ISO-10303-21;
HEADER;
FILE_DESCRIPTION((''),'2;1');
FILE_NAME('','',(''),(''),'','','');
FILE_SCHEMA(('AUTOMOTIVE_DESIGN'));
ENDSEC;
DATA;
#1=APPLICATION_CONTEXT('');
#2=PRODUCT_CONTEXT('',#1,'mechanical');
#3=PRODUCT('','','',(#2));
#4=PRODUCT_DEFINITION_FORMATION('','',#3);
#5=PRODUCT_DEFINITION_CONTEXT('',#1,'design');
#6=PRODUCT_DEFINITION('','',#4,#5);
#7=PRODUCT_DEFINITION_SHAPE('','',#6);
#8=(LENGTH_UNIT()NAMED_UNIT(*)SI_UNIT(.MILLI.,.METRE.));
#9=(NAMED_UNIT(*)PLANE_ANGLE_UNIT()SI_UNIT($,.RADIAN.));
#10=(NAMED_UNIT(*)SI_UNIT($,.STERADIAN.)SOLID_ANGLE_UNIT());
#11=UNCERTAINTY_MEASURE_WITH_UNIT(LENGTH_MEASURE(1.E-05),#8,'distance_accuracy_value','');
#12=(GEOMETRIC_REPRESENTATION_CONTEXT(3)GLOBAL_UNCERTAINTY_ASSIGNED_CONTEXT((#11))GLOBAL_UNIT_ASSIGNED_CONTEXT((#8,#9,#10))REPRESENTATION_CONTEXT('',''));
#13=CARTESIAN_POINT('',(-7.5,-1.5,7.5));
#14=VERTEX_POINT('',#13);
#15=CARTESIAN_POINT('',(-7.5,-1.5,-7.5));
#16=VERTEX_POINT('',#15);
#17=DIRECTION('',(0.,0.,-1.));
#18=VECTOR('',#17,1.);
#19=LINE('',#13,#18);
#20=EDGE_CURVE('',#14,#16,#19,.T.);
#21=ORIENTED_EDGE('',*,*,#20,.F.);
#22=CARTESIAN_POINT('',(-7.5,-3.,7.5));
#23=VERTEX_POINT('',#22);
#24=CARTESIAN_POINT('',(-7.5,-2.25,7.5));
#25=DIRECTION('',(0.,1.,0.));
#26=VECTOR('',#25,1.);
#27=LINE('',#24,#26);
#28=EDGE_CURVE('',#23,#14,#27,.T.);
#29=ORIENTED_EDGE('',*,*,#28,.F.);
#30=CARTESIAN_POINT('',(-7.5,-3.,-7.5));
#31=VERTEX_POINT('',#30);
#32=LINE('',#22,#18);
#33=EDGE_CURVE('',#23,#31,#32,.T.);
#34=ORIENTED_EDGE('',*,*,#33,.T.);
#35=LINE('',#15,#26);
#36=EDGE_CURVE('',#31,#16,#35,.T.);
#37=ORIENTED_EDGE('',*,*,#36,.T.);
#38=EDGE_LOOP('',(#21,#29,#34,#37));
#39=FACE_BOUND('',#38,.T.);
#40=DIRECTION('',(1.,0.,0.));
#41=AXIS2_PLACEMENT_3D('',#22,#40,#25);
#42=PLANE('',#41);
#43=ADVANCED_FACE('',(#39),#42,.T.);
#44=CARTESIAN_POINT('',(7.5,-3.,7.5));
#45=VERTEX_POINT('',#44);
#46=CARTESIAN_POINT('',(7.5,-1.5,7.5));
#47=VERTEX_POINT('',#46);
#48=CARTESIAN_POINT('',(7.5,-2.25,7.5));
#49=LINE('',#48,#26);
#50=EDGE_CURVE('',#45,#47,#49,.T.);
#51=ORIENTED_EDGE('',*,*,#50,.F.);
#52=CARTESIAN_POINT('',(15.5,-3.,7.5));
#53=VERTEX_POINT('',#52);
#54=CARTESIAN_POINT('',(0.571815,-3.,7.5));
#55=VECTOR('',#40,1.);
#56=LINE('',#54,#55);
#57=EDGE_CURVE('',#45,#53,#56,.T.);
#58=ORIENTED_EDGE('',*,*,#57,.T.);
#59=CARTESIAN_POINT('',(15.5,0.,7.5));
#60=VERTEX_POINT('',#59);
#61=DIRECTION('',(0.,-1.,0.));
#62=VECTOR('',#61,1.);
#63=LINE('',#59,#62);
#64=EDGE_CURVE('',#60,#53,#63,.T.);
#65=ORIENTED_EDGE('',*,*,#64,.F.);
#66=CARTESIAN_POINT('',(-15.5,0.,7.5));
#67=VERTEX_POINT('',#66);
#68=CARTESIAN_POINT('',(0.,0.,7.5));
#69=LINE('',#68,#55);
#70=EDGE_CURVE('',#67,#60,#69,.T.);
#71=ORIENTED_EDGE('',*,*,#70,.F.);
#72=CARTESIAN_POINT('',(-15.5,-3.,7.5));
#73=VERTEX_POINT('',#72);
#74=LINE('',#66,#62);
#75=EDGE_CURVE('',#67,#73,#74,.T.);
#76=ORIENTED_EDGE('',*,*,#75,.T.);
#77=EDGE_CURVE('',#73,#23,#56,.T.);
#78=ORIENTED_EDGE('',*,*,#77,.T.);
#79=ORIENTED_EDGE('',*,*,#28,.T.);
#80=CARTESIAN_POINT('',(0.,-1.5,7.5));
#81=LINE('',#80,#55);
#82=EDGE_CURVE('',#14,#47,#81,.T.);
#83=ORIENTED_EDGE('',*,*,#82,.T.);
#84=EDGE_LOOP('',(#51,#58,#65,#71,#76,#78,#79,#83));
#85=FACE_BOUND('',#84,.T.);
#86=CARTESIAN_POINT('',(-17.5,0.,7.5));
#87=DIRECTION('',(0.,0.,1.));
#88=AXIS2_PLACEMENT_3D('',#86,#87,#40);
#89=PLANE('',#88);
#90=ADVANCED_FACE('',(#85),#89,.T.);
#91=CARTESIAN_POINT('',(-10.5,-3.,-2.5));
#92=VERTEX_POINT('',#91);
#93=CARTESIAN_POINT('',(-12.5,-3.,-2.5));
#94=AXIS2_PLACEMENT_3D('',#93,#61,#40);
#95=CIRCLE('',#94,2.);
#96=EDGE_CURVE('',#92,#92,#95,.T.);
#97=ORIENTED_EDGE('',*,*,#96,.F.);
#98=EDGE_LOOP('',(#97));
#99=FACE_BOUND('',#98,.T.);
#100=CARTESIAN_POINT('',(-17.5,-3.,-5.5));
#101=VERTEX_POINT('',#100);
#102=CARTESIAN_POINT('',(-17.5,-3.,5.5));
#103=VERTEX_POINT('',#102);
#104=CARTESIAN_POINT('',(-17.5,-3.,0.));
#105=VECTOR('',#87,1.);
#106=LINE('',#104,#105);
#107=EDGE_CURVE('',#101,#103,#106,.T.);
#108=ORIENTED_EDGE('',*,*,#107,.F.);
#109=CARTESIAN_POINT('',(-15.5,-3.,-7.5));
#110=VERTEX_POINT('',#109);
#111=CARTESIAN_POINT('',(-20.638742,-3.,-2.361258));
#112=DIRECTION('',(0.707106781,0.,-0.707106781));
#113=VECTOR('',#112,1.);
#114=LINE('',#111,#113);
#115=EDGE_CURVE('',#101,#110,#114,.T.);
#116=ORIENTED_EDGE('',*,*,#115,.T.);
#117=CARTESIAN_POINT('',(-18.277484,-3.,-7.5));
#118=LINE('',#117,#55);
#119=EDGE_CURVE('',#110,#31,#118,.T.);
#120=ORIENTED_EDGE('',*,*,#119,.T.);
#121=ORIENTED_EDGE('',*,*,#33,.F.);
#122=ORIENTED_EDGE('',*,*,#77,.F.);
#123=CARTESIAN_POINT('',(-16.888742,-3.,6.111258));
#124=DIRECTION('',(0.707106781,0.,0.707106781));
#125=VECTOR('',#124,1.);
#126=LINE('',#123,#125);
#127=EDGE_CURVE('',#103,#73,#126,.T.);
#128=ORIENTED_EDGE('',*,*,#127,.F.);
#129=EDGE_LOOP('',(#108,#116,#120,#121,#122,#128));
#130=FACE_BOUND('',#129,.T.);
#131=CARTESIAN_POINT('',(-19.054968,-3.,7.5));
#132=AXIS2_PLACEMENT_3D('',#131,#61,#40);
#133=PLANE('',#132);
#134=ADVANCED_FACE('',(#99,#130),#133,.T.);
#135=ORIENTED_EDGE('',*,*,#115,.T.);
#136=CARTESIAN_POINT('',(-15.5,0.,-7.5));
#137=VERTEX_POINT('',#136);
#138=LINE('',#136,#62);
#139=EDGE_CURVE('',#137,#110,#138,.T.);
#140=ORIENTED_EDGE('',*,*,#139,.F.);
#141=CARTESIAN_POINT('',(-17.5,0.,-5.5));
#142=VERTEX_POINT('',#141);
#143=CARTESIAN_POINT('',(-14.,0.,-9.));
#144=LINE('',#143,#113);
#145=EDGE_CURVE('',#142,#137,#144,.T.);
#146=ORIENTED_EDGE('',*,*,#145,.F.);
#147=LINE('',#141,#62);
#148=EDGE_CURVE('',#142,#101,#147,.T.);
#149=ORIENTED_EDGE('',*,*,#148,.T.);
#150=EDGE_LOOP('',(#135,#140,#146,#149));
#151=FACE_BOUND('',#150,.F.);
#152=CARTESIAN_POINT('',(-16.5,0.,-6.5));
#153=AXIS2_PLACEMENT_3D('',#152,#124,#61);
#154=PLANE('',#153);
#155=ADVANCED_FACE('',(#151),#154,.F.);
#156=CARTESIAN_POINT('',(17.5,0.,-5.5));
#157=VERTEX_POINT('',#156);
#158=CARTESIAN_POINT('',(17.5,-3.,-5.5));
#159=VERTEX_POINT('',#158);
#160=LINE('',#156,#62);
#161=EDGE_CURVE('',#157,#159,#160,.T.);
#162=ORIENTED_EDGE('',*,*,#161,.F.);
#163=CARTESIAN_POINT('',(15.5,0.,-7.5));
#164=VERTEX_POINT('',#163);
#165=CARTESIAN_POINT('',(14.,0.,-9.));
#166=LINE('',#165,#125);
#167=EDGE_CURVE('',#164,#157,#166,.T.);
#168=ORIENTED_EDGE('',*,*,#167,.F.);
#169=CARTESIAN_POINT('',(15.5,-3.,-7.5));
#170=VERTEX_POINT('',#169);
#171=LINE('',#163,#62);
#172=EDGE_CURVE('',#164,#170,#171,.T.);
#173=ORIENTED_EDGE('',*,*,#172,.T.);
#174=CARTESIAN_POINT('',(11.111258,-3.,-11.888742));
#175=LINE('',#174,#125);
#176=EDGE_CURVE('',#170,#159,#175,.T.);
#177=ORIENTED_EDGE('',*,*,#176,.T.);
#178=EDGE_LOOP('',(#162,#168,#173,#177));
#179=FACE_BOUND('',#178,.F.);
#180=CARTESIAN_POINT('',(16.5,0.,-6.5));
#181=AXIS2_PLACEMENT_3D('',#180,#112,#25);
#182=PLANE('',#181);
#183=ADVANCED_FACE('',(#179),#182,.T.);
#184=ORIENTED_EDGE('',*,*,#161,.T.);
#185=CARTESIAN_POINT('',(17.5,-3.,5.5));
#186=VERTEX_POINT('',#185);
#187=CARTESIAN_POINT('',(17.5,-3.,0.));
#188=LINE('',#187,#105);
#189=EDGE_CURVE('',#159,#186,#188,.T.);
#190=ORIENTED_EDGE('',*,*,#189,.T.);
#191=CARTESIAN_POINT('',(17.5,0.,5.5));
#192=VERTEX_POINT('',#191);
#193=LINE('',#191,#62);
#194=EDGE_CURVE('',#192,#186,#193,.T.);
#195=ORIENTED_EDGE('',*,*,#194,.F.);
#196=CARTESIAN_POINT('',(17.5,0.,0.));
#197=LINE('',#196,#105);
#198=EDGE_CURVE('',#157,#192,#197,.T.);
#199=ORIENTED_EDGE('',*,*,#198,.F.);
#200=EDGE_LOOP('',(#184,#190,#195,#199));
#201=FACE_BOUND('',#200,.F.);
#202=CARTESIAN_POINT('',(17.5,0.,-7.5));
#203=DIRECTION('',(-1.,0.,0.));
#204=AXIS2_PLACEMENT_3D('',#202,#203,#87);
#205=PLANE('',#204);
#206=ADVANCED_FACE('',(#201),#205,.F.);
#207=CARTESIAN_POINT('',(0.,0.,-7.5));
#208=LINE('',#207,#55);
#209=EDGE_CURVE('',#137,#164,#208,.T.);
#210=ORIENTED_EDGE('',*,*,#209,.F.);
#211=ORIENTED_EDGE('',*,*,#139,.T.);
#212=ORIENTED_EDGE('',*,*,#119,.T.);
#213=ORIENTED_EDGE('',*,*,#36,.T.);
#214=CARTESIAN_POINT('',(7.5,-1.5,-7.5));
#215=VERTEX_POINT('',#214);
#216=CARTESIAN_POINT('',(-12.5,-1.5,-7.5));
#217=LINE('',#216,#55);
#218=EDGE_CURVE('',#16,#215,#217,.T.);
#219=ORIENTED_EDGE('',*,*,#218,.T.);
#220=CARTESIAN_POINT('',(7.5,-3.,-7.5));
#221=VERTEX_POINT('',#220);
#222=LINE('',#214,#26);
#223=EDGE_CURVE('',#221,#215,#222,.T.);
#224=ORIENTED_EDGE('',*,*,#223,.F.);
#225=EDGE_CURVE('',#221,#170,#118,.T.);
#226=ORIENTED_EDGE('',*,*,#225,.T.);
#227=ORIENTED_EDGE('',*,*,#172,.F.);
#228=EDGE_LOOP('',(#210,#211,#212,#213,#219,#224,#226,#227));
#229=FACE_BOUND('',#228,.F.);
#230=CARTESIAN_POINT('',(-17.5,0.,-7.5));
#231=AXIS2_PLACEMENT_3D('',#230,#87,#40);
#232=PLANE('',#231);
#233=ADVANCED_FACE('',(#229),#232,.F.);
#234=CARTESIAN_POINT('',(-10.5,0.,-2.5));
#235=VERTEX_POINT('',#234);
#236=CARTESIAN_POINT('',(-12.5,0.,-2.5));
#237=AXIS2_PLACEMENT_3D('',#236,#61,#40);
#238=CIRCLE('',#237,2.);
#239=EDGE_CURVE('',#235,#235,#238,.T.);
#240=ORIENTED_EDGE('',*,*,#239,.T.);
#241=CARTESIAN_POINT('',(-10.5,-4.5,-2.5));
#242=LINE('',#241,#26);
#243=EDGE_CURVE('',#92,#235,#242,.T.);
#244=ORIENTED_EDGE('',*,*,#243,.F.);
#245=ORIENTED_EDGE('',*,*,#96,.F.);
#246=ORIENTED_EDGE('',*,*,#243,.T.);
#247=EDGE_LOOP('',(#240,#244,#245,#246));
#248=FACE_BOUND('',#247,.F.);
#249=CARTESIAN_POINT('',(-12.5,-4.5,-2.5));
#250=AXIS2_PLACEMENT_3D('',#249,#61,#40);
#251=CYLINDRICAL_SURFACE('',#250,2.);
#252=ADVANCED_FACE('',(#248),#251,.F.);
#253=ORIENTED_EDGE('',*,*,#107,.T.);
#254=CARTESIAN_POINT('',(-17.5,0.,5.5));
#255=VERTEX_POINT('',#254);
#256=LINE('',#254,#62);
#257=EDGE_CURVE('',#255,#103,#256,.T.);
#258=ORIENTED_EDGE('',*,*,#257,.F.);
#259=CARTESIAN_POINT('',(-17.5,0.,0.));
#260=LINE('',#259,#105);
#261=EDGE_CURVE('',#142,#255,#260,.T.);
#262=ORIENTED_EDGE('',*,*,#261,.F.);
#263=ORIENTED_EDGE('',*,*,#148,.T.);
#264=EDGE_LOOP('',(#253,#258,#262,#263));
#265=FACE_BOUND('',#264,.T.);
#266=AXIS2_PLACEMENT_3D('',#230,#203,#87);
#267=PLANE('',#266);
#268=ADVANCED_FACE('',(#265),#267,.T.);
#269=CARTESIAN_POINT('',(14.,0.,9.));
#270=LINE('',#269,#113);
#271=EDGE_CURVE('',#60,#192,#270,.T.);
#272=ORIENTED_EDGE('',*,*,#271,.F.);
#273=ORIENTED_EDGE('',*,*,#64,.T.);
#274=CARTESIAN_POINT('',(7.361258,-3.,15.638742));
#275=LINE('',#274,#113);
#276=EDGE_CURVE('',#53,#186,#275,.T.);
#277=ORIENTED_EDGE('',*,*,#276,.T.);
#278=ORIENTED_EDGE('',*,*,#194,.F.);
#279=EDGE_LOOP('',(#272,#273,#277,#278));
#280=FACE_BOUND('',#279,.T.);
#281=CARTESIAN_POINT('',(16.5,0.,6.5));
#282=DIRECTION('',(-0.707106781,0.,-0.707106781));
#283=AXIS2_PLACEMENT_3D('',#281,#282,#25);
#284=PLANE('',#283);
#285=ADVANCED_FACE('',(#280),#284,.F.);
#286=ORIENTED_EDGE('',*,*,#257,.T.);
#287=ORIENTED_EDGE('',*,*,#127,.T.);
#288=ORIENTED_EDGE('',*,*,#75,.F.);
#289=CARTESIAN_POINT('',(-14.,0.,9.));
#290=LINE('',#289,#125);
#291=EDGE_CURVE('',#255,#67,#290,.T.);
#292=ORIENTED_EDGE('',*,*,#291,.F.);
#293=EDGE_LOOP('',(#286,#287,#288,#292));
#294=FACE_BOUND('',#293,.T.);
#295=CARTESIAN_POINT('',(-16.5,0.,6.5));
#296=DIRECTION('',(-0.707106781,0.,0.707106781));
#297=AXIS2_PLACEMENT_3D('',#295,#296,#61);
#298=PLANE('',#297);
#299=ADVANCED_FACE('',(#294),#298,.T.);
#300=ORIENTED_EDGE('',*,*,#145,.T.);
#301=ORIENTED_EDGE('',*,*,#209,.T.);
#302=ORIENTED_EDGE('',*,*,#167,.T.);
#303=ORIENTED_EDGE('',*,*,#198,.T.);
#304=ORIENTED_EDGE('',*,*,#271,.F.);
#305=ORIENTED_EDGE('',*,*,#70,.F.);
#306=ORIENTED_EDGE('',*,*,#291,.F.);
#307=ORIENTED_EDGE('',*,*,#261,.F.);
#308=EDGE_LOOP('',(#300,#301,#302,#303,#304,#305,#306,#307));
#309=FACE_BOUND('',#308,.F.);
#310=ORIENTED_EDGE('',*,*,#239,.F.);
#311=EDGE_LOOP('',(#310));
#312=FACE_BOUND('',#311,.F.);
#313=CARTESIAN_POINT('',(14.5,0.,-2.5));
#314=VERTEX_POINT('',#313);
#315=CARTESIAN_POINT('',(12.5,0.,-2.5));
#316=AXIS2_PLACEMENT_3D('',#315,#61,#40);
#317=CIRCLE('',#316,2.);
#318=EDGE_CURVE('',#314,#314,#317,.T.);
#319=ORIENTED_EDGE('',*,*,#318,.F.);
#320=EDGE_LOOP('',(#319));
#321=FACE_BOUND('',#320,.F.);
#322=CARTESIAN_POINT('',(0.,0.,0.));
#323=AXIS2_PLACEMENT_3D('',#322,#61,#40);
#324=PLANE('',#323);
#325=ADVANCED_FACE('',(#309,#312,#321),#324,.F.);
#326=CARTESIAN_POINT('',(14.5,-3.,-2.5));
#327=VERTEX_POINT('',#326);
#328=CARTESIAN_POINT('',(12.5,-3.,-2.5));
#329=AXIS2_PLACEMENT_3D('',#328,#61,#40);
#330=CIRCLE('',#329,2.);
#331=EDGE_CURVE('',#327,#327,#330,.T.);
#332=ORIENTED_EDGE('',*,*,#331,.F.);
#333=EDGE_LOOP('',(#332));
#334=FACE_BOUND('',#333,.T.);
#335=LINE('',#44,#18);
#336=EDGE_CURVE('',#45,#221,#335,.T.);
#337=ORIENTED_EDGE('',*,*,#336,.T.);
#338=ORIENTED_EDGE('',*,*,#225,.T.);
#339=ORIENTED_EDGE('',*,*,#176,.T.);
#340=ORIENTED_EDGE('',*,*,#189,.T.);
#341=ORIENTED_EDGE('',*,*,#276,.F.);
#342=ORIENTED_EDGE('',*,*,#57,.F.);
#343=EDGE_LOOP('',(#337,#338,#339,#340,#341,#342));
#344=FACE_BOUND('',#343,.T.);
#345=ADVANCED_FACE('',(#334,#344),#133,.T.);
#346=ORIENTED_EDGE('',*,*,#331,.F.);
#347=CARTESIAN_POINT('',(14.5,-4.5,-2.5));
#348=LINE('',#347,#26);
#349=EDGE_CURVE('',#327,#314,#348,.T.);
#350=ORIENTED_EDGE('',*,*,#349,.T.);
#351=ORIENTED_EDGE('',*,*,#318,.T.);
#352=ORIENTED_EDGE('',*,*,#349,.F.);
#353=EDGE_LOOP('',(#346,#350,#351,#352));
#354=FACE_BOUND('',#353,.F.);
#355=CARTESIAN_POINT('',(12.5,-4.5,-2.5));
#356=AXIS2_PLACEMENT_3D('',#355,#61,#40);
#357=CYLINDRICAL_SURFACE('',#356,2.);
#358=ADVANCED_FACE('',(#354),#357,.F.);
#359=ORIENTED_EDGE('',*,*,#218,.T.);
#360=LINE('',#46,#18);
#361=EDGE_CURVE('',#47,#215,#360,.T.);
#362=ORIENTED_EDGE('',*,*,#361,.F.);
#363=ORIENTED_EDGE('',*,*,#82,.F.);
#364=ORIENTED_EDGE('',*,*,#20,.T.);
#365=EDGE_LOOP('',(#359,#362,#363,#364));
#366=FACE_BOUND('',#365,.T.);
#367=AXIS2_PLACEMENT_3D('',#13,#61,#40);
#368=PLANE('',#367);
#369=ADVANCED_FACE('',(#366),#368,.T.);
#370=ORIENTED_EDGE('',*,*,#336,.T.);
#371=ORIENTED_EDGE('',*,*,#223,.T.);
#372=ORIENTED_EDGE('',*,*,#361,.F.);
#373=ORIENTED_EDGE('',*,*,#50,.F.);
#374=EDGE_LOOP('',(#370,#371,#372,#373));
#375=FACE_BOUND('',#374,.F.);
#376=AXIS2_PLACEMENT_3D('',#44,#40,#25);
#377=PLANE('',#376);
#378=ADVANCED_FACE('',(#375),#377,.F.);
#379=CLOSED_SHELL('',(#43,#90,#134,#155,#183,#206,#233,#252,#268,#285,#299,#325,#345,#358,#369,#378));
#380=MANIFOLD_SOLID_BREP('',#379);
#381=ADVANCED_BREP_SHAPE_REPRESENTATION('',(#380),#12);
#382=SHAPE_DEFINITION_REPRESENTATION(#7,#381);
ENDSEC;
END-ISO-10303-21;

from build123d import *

# Parameters (mm, degrees)
F0_W     = 35
F0_H     = 15
F1_DEPTH = 4.5
F2_W     = 15
F2_H     = 1.5
F3_DEPTH = 15.001
F4_R     = 2
F5_DEPTH = 10
F6_SIZE  = 2
F7_W     = 39.253565
F7_H     = 1.5
F8_DEPTH = 15.001


with BuildPart() as f1:
    # F0 (on Front) → F1 (new body)
    with BuildSketch(Plane.XZ):
        Rectangle(F0_W, F0_H)
    extrude(amount=F1_DEPTH)

    # F2 (on face) → F3 (cut, through all)
    with BuildSketch(Plane.XY.offset(7.5)):
        with Locations((0, -2.25)):
            Rectangle(F2_W, F2_H)
    extrude(amount=-F3_DEPTH, mode=Mode.SUBTRACT)

    # F4 (on face) → F5 (cut)
    with BuildSketch(Plane.XZ.offset(4.5)):
        with Locations((12.5, -2.5)):
            Circle(F4_R)
        with Locations((-12.5, -2.5)):
            Circle(F4_R)
    extrude(amount=-F5_DEPTH, mode=Mode.SUBTRACT)

    # F6
    f6_edges = [f1.edges().sort_by_distance(p)[0] for p in [
        (-17.5, -2.25, 7.5),
        (17.5, -2.25, 7.5),
        (17.5, -2.25, -7.5),
        (-17.5, -2.25, -7.5),
    ]]
    chamfer(f6_edges, length=F6_SIZE)

    # F7 (on face) → F8 (cut, through all)
    with BuildSketch(Plane.XY.offset(7.5)):
        with Locations((0.571815, -3.75)):
            Rectangle(F7_W, F7_H)
    extrude(amount=-F8_DEPTH, mode=Mode.SUBTRACT)


solid = f1.part
